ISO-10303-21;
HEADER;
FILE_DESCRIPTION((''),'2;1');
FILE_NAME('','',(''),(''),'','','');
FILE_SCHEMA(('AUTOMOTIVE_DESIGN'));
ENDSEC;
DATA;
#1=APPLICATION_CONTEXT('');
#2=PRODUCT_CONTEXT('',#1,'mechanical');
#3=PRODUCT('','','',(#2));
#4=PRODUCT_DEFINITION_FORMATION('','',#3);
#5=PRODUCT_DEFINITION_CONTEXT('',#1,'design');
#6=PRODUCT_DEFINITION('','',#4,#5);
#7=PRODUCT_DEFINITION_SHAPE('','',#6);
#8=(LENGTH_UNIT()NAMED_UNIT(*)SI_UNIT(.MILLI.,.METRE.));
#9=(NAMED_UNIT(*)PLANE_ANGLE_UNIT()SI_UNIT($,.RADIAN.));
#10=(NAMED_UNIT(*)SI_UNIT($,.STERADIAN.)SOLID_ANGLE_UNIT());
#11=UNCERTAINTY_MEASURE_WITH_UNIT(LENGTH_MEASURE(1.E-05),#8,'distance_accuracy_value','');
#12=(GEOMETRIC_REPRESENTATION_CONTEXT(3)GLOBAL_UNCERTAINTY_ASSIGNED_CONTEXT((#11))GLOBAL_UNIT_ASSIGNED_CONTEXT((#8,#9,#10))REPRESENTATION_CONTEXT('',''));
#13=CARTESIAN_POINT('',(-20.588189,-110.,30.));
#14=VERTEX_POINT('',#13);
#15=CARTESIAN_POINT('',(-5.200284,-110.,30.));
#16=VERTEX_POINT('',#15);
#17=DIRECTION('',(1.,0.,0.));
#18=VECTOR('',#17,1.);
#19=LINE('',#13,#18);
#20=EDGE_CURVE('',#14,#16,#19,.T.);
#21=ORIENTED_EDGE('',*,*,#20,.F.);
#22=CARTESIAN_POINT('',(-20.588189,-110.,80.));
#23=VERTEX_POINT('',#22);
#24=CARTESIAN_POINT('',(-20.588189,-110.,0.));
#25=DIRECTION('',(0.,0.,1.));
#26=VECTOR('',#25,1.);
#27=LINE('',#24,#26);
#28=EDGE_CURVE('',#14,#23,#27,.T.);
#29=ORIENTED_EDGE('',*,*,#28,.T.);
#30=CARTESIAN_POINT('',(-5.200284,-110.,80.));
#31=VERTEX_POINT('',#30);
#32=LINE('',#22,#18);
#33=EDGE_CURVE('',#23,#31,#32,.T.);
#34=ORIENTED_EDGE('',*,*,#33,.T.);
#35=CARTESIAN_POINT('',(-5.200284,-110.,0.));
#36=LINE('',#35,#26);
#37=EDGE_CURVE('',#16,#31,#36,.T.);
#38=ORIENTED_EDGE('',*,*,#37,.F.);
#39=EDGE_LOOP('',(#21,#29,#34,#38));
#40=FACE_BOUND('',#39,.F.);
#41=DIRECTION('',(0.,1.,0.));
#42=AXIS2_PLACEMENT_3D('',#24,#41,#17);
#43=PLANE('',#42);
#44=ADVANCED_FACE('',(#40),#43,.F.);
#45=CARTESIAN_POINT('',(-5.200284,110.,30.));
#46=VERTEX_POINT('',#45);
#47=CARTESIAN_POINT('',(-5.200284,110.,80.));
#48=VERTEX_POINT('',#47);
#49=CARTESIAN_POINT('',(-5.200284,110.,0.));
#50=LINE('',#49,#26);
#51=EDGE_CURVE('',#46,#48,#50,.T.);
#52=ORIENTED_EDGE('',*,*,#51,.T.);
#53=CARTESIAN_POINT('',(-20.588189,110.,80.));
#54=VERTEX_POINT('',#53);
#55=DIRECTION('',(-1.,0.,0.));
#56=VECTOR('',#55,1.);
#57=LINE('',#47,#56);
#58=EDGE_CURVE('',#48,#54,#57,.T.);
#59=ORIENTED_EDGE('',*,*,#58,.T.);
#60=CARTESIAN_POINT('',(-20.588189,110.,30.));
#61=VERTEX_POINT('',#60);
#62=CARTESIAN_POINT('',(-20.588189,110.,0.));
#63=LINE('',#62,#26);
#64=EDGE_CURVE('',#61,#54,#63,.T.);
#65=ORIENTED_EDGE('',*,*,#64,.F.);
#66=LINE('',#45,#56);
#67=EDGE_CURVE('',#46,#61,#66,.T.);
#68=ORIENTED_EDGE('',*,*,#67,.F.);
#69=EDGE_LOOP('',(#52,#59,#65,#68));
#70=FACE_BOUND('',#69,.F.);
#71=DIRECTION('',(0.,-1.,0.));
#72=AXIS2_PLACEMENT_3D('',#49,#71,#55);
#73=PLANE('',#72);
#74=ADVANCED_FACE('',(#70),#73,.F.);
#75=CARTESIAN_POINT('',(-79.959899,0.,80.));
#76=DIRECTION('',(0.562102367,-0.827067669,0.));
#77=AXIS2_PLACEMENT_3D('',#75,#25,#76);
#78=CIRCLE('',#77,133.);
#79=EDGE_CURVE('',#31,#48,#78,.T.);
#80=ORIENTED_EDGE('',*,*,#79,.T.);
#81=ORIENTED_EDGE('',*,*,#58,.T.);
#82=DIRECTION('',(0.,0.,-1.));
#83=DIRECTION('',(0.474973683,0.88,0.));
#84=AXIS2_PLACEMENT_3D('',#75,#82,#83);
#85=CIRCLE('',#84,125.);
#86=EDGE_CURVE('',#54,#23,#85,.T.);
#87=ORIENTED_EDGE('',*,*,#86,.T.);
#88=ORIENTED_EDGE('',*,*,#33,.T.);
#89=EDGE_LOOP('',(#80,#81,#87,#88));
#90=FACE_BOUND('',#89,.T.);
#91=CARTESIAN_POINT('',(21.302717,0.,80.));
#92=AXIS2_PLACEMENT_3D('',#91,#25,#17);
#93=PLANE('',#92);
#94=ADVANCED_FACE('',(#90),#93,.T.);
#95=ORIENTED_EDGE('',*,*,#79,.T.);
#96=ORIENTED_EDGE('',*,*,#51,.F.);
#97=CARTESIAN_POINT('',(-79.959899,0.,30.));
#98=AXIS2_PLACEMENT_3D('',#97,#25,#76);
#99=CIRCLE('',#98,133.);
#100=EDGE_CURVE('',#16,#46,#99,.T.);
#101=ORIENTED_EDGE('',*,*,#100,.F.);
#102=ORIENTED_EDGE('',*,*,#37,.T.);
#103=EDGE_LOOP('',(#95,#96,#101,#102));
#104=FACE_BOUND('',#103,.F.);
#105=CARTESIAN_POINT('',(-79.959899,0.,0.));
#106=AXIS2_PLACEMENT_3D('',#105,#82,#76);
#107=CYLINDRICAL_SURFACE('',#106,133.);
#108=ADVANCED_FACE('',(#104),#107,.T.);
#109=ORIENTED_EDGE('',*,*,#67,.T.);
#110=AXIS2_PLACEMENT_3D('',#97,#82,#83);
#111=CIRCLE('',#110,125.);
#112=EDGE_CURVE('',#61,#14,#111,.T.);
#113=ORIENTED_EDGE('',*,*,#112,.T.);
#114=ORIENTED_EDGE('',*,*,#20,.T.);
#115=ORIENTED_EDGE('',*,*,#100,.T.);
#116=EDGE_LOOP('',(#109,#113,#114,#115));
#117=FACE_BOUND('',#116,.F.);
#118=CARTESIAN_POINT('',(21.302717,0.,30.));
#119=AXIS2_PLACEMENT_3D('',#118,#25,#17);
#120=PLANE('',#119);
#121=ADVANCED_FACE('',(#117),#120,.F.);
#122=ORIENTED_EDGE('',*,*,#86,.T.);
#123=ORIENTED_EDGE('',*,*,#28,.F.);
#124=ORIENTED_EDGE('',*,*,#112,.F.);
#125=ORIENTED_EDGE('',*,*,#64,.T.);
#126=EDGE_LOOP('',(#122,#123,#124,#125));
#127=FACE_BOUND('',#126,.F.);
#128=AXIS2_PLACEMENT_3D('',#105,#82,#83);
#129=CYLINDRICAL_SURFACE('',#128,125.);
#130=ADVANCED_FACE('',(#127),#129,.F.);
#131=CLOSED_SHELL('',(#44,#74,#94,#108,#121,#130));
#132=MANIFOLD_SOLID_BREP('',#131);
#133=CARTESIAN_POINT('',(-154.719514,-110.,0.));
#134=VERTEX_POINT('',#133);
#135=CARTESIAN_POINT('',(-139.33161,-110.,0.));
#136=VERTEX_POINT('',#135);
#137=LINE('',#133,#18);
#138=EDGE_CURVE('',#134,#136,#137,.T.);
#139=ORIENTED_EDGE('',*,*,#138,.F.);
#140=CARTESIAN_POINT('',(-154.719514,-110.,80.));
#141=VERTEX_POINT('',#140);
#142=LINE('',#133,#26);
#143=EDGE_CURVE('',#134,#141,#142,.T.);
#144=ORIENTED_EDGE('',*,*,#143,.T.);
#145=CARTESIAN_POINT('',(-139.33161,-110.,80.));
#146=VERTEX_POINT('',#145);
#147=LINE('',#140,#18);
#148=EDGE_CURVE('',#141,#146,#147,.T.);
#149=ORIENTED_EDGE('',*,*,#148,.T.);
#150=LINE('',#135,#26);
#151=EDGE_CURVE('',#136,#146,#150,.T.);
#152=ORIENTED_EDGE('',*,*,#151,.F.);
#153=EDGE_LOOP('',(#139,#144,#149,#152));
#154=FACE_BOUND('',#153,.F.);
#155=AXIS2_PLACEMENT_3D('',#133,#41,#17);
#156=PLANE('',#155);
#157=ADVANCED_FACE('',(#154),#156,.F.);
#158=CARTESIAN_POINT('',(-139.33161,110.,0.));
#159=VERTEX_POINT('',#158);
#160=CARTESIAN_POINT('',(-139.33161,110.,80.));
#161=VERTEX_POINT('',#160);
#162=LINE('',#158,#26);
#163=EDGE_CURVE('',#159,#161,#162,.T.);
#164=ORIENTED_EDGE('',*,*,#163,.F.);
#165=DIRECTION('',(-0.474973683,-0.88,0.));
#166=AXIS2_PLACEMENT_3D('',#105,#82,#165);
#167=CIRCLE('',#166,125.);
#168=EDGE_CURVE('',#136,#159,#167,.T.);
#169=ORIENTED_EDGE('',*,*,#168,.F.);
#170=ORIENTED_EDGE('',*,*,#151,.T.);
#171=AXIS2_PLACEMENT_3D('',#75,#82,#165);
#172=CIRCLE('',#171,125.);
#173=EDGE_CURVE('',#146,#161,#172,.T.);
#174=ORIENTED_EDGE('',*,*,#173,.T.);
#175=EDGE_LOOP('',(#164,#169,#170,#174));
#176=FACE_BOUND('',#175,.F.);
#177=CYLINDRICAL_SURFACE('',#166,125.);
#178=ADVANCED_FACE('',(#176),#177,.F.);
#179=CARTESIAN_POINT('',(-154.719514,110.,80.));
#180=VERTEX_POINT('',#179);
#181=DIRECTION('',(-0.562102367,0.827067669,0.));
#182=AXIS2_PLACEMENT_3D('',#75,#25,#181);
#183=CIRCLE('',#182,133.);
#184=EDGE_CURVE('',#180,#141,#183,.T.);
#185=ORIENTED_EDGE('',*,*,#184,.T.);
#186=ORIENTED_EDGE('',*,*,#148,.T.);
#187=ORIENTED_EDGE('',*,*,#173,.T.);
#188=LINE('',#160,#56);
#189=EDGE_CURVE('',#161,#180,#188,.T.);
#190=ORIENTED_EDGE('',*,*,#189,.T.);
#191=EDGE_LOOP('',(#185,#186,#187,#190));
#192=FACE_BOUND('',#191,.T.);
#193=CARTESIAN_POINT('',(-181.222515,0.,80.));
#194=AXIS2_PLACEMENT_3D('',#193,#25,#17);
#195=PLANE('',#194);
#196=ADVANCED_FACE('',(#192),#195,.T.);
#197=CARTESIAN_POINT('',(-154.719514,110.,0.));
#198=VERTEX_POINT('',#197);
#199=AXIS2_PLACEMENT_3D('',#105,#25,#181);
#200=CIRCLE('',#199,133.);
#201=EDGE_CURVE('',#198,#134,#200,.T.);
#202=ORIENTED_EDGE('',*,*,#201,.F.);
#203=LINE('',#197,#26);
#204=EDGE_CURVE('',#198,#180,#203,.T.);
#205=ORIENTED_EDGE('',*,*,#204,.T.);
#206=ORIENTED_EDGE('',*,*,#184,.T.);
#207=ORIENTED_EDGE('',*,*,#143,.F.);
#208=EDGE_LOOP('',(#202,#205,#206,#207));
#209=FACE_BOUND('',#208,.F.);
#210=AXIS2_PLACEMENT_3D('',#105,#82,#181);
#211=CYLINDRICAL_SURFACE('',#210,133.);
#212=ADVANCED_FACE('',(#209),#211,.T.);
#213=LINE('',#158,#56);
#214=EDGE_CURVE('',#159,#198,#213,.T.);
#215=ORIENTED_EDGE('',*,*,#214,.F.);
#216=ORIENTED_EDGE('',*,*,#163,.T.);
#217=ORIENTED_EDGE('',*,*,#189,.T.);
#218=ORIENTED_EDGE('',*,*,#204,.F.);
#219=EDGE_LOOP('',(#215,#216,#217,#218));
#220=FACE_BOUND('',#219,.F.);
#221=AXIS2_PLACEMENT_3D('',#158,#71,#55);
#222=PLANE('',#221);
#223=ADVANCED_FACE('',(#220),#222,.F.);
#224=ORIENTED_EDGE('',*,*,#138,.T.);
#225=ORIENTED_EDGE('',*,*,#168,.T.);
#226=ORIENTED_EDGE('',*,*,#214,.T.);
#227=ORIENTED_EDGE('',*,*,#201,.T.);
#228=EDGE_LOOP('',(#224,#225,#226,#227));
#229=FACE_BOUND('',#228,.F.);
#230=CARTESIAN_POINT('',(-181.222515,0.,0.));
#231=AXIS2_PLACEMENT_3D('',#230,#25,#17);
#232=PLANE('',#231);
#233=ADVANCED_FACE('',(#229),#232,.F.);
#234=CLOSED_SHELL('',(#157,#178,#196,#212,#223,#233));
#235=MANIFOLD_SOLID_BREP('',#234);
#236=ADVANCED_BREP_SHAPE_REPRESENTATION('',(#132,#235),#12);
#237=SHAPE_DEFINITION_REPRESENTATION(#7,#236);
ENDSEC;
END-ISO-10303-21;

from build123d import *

# Parameters (mm, degrees)
F1_DEPTH = 80
F2_DEPTH = 30


with BuildPart() as f1:
    # F0 (on Top) → F1 (new body)
    with BuildSketch(Plane.XY):
        with BuildLine():
            ThreePointArc((-139.3316096223, -110), (-204.9598991871, 0), (-139.3316096223, 110))
            Line((-139.3316096223, 110), (-154.7195139534, 110))
            ThreePointArc((-154.7195139534, 110), (-212.9598991871, 0), (-154.7195139534, -110))
            Line((-154.7195139534, -110), (-139.3316096223, -110))
        make_face()
    extrude(amount=F1_DEPTH)


with BuildPart() as f1b:
    # F0 (on Top) → F1, piece 2 (new body)
    with BuildSketch(Plane.XY):
        with BuildLine():
            Line((-5.2002844208, 110), (-20.5881887519, 110))
            ThreePointArc((-20.5881887519, 110), (45.0401008129, 0), (-20.5881887519, -110))
            Line((-20.5881887519, -110), (-5.2002844208, -110))
            ThreePointArc((-5.2002844208, -110), (53.0401008129, 0), (-5.2002844208, 110))
        make_face()
    extrude(amount=F1_DEPTH)

    # F2 (cut): a face of the model
    f2_faces = [f1b.faces().sort_by_distance(p)[0] for p in [
        (-12.8942365864, -107.6800619615, 0),
    ]]
    extrude(f2_faces, amount=-F2_DEPTH, mode=Mode.SUBTRACT)


solid = Compound([f1.part, f1b.part])
